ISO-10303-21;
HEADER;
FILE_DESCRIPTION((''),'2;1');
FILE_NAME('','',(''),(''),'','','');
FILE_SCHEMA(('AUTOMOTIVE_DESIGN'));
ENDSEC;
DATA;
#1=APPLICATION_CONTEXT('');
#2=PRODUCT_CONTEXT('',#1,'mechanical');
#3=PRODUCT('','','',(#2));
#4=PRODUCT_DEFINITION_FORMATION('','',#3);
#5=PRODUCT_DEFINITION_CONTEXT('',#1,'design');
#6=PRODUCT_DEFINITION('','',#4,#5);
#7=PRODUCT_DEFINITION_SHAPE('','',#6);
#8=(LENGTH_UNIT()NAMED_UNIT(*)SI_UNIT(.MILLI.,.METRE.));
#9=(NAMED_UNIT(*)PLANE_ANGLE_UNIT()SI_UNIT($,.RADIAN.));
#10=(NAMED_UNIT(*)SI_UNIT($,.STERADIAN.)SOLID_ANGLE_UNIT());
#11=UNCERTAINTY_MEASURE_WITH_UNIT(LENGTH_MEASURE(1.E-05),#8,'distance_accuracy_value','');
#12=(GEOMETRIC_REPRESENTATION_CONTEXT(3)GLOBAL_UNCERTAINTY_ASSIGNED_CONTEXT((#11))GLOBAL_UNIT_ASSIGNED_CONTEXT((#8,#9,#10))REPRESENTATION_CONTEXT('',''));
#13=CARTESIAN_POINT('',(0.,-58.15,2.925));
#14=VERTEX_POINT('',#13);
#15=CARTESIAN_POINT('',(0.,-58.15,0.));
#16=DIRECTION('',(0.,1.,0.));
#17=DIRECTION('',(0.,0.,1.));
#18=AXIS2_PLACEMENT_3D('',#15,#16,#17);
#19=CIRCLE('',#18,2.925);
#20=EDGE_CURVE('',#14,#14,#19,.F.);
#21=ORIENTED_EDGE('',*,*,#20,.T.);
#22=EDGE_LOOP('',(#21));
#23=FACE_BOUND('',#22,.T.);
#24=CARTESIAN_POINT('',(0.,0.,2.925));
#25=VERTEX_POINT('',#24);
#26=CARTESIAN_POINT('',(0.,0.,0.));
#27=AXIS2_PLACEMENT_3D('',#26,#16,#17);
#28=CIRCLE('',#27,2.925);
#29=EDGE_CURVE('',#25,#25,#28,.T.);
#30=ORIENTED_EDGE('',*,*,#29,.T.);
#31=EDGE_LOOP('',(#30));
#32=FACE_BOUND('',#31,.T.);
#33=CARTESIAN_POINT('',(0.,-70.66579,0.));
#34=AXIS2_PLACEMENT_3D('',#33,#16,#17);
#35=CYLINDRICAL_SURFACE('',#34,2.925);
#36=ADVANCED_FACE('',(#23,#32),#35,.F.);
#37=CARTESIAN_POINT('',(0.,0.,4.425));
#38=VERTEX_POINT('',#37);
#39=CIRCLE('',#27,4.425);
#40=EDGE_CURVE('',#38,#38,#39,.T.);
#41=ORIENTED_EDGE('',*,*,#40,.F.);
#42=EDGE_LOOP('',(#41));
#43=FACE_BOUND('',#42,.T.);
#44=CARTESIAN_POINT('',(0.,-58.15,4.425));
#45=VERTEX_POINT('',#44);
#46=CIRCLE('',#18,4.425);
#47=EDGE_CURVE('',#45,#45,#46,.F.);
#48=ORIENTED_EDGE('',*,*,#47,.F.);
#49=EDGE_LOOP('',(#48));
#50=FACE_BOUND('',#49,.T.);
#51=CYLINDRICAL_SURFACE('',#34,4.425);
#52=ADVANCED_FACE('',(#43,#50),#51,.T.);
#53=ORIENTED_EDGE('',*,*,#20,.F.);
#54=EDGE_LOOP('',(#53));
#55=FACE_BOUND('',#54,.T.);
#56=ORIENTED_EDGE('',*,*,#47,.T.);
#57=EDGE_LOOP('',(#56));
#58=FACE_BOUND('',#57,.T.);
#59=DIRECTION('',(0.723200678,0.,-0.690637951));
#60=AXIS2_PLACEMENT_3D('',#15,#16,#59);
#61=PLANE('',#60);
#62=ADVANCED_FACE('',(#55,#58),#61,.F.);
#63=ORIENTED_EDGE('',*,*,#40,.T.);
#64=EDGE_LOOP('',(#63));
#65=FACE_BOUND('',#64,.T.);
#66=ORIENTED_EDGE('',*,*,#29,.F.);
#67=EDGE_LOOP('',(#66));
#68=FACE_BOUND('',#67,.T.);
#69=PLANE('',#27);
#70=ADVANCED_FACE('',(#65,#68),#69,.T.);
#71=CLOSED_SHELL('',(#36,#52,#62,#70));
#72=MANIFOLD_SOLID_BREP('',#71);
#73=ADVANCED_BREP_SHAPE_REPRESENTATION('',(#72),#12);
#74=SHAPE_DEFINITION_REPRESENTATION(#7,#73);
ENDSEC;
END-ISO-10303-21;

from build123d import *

# Parameters (mm, degrees)
SKETCH1_R           = 4.425
SKETCH1_R_2         = 2.925
BOSS_EXTRUDE1_DEPTH = 58.15


with BuildPart() as part:
    # Sketch1 → Boss-Extrude1 (new body)
    with BuildSketch(Plane(origin=(0, 0, 0), x_dir=(1, 0, 0), z_dir=(0, 1, 0))):
        with Locations(Location((0, 0, 0), (0, 0, 270))):
            Circle(SKETCH1_R)
        with Locations(Location((0, 0, 0), (0, 0, 270))):
            Circle(SKETCH1_R_2, mode=Mode.SUBTRACT)
    extrude(amount=-BOSS_EXTRUDE1_DEPTH)


solid = part.part
